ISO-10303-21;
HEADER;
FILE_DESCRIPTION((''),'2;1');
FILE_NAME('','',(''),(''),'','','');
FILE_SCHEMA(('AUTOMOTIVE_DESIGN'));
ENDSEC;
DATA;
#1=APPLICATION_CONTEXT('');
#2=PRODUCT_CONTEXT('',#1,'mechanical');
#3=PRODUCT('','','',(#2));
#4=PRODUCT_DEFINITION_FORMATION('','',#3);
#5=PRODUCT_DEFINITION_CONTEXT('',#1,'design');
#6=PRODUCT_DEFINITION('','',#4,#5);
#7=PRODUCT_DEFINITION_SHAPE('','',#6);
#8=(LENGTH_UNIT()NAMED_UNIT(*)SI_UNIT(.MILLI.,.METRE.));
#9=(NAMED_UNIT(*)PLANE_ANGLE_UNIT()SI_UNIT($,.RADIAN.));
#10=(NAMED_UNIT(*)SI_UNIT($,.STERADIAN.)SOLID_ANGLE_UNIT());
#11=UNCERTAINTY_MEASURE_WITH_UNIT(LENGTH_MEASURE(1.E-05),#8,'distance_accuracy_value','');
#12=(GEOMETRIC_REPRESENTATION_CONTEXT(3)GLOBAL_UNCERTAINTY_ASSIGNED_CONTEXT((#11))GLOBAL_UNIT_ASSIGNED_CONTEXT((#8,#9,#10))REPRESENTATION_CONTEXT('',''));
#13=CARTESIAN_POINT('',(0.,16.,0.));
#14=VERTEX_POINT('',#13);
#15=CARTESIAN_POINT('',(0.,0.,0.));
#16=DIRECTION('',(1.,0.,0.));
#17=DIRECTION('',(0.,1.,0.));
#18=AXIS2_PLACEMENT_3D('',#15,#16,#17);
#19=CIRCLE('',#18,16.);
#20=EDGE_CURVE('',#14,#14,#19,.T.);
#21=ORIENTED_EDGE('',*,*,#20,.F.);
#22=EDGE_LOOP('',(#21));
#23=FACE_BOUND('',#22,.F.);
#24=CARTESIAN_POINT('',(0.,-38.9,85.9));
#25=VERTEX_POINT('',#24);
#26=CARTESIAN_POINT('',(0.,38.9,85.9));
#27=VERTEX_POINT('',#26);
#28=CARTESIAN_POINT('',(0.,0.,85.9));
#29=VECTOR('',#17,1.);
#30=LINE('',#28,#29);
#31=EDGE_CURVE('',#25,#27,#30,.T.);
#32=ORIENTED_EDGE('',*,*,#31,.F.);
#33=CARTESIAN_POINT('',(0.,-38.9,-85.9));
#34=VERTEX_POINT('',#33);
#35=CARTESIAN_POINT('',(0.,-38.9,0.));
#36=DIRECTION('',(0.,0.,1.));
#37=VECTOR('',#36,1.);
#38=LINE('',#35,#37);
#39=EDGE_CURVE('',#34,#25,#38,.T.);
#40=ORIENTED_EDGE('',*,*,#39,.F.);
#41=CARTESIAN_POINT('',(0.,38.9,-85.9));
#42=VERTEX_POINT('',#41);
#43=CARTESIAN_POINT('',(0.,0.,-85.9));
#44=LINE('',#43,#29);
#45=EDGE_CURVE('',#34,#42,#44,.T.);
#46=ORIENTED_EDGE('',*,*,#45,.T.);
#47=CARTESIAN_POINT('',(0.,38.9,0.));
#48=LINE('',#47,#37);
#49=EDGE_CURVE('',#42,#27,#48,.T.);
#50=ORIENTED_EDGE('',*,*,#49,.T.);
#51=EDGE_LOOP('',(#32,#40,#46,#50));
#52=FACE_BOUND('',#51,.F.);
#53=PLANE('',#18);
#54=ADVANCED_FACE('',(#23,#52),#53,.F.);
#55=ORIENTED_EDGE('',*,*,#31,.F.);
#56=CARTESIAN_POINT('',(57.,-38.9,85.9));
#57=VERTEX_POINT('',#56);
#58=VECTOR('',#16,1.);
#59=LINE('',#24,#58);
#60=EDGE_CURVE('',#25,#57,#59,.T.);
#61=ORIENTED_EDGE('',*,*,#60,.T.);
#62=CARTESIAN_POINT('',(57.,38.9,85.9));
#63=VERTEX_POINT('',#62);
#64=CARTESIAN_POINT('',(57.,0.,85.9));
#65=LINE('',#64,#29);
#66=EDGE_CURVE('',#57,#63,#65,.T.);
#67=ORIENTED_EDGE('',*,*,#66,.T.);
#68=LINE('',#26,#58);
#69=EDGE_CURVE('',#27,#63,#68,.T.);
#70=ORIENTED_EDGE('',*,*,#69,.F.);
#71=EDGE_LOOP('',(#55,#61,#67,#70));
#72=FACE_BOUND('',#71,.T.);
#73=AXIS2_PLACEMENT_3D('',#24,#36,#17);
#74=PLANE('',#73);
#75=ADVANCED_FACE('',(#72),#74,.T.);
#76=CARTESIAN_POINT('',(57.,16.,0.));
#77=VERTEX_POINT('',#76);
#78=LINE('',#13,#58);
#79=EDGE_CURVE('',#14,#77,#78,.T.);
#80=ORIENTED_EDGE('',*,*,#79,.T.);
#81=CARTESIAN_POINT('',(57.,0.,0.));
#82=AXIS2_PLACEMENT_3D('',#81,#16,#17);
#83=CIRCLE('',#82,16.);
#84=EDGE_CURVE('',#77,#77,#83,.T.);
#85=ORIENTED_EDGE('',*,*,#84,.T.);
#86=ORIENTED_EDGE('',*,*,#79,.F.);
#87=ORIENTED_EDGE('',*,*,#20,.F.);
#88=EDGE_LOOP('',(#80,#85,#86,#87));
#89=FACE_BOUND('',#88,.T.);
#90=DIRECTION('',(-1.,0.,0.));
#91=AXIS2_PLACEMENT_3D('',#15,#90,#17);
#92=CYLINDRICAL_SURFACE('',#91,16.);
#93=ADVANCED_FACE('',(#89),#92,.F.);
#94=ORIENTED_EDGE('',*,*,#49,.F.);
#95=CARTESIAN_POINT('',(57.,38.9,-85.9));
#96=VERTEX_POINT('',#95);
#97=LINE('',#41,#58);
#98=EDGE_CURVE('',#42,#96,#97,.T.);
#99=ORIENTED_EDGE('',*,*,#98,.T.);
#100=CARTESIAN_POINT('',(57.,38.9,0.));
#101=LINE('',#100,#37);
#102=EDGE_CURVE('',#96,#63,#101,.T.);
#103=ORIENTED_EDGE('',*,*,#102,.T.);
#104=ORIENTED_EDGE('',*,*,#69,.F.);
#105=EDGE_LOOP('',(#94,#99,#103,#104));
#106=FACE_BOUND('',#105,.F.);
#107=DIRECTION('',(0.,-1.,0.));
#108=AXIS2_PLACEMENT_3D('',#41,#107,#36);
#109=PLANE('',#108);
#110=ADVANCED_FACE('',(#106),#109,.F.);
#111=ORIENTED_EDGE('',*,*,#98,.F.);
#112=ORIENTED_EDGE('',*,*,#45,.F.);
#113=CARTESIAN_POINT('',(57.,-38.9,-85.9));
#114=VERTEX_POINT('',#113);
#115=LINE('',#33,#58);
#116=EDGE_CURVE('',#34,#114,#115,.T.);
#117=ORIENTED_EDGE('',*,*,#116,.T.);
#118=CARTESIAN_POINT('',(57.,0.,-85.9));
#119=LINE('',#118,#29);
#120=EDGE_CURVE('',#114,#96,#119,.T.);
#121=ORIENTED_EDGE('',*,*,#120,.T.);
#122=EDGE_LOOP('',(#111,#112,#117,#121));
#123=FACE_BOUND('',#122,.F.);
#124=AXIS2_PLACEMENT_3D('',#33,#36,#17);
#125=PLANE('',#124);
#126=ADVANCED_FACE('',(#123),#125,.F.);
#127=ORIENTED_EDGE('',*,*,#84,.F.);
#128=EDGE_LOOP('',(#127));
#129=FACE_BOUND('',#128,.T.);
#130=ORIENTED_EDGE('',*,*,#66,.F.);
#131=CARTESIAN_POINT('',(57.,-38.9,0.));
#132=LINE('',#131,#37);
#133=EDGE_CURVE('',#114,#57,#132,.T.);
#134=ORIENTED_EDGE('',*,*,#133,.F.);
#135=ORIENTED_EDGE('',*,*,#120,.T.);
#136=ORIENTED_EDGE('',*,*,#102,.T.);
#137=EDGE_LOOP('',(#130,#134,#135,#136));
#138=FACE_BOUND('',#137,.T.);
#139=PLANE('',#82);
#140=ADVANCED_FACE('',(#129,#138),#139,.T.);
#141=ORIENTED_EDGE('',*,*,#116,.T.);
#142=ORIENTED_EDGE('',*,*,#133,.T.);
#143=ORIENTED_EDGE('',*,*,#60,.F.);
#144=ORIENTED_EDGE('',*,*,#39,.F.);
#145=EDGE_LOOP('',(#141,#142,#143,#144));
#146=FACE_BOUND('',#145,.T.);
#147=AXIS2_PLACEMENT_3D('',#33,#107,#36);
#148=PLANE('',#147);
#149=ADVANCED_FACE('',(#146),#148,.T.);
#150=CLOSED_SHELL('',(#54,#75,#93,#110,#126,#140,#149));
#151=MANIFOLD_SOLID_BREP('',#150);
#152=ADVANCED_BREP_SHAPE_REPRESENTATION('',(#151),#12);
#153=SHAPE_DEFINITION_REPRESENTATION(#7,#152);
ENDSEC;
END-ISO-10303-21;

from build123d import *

# Parameters (mm, degrees)
F0_W     = 77.8
F0_H     = 171.8
F0_R     = 16
F1_DEPTH = 57


with BuildPart() as f1:
    # F0 (on Right) → F1 (new body)
    with BuildSketch(Plane.YZ):
        Rectangle(F0_W, F0_H)
        Circle(F0_R, mode=Mode.SUBTRACT)
    extrude(amount=F1_DEPTH)


solid = f1.part
